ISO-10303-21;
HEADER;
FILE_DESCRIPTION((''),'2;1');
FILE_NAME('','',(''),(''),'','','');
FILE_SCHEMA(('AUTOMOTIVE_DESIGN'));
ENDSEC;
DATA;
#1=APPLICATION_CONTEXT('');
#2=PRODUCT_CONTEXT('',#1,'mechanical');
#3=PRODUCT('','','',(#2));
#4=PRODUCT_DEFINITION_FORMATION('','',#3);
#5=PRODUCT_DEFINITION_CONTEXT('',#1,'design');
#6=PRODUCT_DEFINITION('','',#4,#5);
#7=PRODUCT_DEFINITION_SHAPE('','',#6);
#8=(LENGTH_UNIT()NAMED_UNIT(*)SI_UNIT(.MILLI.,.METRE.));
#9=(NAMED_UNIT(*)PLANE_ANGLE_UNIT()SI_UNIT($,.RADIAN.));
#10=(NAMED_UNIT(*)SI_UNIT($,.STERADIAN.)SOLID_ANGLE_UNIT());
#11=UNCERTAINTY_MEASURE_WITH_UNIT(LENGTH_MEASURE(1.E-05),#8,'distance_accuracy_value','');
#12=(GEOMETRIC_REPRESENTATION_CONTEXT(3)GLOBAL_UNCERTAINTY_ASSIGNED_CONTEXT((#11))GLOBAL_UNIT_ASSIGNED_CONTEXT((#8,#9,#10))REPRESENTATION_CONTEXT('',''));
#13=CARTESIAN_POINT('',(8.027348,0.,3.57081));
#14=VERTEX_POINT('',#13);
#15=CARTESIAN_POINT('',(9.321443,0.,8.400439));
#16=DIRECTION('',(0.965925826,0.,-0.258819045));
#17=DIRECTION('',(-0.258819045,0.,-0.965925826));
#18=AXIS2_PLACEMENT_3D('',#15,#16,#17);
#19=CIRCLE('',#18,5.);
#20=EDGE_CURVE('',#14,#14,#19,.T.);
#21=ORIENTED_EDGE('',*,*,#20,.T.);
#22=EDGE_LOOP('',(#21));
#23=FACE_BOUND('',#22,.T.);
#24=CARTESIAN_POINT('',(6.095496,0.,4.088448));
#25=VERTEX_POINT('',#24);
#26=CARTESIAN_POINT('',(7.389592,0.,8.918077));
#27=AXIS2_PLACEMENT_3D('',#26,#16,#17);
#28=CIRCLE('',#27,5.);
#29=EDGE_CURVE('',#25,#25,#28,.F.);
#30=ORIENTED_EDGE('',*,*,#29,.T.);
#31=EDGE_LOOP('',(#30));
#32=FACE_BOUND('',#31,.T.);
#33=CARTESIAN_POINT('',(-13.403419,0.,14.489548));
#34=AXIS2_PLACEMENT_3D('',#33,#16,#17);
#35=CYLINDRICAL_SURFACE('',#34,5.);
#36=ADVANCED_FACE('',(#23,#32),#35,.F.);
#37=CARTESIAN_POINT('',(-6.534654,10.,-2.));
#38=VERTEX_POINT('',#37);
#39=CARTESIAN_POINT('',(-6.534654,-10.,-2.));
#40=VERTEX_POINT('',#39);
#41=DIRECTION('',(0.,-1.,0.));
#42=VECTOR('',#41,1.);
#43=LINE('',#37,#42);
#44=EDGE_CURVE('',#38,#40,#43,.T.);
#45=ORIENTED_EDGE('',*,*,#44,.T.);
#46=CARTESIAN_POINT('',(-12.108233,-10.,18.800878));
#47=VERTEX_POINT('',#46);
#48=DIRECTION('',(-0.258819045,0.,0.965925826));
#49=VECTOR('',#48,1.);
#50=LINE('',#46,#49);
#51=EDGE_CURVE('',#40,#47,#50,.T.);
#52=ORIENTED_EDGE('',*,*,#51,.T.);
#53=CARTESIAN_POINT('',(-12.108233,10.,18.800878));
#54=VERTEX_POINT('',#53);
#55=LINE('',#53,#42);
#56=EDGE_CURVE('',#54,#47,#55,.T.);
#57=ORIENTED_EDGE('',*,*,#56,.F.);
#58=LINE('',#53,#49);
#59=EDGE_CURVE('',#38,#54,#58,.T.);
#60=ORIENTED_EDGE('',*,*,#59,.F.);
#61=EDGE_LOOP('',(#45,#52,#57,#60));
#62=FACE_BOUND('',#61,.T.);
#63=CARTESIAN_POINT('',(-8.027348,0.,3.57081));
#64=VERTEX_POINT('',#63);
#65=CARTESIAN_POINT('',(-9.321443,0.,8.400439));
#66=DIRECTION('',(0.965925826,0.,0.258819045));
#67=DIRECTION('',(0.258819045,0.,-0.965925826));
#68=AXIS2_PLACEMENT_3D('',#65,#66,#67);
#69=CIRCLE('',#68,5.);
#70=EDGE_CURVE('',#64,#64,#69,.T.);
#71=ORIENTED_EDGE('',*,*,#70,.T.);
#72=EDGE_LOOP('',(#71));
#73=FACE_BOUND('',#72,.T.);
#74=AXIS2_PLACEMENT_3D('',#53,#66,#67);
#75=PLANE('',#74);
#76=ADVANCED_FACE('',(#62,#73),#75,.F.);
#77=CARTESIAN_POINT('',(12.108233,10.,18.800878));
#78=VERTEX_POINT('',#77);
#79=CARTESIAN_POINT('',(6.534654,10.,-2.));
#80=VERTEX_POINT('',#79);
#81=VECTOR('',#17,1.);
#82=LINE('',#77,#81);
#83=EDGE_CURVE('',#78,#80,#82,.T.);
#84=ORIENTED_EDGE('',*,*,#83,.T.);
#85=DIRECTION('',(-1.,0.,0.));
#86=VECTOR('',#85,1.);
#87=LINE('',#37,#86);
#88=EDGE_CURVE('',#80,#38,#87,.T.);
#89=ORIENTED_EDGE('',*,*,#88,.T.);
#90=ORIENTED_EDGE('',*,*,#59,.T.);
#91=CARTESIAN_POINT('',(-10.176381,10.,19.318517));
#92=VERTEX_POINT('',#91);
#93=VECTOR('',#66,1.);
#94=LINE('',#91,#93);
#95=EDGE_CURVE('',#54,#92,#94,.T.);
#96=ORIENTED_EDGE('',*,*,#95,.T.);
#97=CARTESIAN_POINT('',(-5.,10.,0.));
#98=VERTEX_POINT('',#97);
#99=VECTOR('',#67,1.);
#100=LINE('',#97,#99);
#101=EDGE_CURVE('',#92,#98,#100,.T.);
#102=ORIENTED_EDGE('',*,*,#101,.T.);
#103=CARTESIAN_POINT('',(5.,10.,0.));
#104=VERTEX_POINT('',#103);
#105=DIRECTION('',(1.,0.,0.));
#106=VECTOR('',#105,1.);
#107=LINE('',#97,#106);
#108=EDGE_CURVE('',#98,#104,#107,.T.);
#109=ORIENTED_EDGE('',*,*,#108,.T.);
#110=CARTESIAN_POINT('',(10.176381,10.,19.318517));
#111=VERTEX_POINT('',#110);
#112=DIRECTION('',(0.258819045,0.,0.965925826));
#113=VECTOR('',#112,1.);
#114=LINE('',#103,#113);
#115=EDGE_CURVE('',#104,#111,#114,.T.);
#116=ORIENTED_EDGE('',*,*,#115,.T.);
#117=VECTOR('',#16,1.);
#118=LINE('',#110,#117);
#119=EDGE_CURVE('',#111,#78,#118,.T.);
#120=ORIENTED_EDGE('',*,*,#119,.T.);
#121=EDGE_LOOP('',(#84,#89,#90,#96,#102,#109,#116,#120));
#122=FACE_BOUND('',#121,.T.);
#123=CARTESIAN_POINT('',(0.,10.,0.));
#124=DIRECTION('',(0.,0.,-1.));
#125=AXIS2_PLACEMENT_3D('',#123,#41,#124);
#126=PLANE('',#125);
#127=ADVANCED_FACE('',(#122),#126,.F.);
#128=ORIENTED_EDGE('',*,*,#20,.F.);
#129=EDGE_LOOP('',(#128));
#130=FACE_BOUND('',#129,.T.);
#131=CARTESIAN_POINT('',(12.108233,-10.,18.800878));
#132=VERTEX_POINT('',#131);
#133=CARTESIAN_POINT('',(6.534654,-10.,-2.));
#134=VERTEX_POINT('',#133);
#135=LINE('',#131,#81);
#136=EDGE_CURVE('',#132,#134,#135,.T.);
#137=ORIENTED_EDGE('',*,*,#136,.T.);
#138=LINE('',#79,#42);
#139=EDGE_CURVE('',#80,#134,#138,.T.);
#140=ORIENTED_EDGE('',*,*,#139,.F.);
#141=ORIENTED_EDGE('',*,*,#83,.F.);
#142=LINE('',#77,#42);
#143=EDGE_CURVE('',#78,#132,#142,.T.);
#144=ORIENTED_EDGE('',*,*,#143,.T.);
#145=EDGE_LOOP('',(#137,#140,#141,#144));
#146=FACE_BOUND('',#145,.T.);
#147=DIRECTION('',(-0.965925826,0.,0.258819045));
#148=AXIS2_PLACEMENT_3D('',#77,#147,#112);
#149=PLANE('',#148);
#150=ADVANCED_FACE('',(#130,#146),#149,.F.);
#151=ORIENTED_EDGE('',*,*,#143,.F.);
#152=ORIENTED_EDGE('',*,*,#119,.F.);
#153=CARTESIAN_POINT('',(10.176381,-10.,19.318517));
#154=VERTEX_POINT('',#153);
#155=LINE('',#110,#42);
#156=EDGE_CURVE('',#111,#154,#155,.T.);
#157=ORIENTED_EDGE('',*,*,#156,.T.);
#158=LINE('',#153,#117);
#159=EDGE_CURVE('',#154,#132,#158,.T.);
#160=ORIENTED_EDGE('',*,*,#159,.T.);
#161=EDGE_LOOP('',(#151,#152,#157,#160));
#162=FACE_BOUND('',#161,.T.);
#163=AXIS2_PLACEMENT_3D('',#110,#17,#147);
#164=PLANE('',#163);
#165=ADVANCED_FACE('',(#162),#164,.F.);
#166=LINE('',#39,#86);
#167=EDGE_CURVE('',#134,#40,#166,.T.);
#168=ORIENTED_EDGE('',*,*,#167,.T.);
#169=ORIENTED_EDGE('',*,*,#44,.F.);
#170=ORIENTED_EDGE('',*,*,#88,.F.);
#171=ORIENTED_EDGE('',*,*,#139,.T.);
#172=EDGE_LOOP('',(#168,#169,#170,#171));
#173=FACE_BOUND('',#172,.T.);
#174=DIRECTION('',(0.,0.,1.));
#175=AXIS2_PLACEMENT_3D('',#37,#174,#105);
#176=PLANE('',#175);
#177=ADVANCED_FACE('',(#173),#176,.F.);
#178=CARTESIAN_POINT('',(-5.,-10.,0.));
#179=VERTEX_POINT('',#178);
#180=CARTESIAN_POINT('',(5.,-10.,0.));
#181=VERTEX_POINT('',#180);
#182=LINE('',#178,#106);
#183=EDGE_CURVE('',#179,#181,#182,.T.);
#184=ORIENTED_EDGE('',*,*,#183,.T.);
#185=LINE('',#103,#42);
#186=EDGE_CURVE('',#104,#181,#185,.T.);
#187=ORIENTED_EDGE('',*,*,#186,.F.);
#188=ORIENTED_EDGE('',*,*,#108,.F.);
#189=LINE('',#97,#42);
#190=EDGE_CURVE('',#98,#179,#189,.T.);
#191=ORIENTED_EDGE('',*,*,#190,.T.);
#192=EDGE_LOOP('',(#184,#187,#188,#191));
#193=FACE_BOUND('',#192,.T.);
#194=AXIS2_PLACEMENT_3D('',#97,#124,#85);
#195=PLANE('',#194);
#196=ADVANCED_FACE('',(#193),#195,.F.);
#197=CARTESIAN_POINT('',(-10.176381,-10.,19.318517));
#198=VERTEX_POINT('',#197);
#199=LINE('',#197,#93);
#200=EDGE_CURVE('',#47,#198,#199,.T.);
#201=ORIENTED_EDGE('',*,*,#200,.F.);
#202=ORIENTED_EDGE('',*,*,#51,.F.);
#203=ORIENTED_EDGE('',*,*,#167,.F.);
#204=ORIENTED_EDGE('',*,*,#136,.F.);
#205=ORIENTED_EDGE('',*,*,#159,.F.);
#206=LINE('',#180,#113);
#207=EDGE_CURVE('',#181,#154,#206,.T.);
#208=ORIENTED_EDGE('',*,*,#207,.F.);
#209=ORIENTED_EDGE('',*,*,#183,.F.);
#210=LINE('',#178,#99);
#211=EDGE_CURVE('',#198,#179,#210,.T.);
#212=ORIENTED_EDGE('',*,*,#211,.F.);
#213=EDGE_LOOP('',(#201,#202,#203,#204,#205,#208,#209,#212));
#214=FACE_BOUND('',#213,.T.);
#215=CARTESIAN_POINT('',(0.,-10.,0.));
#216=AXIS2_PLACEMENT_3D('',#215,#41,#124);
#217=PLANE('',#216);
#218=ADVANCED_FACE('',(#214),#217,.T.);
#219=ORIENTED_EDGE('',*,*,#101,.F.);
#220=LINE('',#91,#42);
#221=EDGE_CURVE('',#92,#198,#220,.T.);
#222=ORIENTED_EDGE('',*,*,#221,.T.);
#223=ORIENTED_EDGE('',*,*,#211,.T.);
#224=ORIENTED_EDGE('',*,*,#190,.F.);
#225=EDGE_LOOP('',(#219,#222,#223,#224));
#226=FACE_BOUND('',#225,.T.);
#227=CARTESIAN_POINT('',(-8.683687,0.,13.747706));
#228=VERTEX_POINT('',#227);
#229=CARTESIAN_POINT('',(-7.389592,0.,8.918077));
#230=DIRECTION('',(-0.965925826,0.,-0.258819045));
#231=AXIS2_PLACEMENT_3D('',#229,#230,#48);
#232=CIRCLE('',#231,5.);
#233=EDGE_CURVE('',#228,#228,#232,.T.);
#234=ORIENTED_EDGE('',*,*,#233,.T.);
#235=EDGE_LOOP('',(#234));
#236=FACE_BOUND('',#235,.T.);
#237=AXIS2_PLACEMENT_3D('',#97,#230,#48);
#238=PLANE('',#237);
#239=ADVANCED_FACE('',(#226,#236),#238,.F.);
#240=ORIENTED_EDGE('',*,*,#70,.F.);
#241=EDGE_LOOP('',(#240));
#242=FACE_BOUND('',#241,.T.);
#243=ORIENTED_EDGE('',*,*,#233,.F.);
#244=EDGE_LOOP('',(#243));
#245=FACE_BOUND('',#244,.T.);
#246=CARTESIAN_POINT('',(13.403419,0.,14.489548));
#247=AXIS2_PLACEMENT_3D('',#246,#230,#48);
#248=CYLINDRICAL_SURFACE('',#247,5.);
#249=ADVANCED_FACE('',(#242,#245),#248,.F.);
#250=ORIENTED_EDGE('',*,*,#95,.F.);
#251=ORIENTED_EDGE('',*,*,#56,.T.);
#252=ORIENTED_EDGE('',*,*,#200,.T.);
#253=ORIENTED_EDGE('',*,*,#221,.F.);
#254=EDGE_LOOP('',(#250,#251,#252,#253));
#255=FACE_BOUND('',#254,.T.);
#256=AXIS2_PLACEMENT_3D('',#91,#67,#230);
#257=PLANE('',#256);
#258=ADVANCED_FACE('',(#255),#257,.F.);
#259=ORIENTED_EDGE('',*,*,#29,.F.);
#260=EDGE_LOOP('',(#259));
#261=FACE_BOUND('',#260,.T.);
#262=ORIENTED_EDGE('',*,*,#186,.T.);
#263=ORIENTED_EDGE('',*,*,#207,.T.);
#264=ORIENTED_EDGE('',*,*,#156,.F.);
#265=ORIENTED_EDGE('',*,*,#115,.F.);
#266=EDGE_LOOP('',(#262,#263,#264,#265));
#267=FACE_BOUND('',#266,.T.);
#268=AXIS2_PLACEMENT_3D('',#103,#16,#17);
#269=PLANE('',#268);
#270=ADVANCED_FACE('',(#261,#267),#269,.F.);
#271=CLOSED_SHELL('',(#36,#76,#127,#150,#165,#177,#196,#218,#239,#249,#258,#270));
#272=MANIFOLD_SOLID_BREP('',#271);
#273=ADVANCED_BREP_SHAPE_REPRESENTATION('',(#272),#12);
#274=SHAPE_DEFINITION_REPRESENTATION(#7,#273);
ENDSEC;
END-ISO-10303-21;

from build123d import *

# Parameters (mm, degrees)
AUFSATZ_LINEAR_AUSTRAGEN1_DEPTH = 10
SKIZZE2_R                       = 5
SCHNITT_LINEAR_AUSTRAGEN1_DEPTH = 2


with BuildPart() as part:
    # Skizze1 → Aufsatz-Linear austragen1 (new body, symmetric)
    with BuildSketch(Plane(origin=(0, 0, 0), x_dir=(1, 0, 0), z_dir=(0, 1, 0))):
        Polygon((-5, 0), (-10.176380902, -19.318516526), (-12.108232555, -18.800878436), (-6.534653976, 2), (6.534653976, 2), (12.108232555, -18.800878436), (10.176380902, -19.318516526), (5, 0), align=None)
    extrude(amount=AUFSATZ_LINEAR_AUSTRAGEN1_DEPTH, both=True)

    # Skizze2 → Schnitt-Linear austragen1 (cut)
    with BuildSketch(Plane(origin=(6.596915162, 0, -1.76763809), x_dir=(-0.258819045, 0, -0.965925826), z_dir=(0.965925826, 0, -0.258819045))):
        with Locations((-10.526768238, 0)):
            Circle(SKIZZE2_R)
    schnitt_linear_austragen1 = extrude(amount=-SCHNITT_LINEAR_AUSTRAGEN1_DEPTH, mode=Mode.SUBTRACT)

    # Spiegeln1: Schnitt-Linear austragen1 across plane
    add(schnitt_linear_austragen1.mirror(Plane(origin=(0, 0, 0), x_dir=(0, 0, 1), z_dir=(1, 0, 0))), mode=Mode.SUBTRACT)


solid = part.part
